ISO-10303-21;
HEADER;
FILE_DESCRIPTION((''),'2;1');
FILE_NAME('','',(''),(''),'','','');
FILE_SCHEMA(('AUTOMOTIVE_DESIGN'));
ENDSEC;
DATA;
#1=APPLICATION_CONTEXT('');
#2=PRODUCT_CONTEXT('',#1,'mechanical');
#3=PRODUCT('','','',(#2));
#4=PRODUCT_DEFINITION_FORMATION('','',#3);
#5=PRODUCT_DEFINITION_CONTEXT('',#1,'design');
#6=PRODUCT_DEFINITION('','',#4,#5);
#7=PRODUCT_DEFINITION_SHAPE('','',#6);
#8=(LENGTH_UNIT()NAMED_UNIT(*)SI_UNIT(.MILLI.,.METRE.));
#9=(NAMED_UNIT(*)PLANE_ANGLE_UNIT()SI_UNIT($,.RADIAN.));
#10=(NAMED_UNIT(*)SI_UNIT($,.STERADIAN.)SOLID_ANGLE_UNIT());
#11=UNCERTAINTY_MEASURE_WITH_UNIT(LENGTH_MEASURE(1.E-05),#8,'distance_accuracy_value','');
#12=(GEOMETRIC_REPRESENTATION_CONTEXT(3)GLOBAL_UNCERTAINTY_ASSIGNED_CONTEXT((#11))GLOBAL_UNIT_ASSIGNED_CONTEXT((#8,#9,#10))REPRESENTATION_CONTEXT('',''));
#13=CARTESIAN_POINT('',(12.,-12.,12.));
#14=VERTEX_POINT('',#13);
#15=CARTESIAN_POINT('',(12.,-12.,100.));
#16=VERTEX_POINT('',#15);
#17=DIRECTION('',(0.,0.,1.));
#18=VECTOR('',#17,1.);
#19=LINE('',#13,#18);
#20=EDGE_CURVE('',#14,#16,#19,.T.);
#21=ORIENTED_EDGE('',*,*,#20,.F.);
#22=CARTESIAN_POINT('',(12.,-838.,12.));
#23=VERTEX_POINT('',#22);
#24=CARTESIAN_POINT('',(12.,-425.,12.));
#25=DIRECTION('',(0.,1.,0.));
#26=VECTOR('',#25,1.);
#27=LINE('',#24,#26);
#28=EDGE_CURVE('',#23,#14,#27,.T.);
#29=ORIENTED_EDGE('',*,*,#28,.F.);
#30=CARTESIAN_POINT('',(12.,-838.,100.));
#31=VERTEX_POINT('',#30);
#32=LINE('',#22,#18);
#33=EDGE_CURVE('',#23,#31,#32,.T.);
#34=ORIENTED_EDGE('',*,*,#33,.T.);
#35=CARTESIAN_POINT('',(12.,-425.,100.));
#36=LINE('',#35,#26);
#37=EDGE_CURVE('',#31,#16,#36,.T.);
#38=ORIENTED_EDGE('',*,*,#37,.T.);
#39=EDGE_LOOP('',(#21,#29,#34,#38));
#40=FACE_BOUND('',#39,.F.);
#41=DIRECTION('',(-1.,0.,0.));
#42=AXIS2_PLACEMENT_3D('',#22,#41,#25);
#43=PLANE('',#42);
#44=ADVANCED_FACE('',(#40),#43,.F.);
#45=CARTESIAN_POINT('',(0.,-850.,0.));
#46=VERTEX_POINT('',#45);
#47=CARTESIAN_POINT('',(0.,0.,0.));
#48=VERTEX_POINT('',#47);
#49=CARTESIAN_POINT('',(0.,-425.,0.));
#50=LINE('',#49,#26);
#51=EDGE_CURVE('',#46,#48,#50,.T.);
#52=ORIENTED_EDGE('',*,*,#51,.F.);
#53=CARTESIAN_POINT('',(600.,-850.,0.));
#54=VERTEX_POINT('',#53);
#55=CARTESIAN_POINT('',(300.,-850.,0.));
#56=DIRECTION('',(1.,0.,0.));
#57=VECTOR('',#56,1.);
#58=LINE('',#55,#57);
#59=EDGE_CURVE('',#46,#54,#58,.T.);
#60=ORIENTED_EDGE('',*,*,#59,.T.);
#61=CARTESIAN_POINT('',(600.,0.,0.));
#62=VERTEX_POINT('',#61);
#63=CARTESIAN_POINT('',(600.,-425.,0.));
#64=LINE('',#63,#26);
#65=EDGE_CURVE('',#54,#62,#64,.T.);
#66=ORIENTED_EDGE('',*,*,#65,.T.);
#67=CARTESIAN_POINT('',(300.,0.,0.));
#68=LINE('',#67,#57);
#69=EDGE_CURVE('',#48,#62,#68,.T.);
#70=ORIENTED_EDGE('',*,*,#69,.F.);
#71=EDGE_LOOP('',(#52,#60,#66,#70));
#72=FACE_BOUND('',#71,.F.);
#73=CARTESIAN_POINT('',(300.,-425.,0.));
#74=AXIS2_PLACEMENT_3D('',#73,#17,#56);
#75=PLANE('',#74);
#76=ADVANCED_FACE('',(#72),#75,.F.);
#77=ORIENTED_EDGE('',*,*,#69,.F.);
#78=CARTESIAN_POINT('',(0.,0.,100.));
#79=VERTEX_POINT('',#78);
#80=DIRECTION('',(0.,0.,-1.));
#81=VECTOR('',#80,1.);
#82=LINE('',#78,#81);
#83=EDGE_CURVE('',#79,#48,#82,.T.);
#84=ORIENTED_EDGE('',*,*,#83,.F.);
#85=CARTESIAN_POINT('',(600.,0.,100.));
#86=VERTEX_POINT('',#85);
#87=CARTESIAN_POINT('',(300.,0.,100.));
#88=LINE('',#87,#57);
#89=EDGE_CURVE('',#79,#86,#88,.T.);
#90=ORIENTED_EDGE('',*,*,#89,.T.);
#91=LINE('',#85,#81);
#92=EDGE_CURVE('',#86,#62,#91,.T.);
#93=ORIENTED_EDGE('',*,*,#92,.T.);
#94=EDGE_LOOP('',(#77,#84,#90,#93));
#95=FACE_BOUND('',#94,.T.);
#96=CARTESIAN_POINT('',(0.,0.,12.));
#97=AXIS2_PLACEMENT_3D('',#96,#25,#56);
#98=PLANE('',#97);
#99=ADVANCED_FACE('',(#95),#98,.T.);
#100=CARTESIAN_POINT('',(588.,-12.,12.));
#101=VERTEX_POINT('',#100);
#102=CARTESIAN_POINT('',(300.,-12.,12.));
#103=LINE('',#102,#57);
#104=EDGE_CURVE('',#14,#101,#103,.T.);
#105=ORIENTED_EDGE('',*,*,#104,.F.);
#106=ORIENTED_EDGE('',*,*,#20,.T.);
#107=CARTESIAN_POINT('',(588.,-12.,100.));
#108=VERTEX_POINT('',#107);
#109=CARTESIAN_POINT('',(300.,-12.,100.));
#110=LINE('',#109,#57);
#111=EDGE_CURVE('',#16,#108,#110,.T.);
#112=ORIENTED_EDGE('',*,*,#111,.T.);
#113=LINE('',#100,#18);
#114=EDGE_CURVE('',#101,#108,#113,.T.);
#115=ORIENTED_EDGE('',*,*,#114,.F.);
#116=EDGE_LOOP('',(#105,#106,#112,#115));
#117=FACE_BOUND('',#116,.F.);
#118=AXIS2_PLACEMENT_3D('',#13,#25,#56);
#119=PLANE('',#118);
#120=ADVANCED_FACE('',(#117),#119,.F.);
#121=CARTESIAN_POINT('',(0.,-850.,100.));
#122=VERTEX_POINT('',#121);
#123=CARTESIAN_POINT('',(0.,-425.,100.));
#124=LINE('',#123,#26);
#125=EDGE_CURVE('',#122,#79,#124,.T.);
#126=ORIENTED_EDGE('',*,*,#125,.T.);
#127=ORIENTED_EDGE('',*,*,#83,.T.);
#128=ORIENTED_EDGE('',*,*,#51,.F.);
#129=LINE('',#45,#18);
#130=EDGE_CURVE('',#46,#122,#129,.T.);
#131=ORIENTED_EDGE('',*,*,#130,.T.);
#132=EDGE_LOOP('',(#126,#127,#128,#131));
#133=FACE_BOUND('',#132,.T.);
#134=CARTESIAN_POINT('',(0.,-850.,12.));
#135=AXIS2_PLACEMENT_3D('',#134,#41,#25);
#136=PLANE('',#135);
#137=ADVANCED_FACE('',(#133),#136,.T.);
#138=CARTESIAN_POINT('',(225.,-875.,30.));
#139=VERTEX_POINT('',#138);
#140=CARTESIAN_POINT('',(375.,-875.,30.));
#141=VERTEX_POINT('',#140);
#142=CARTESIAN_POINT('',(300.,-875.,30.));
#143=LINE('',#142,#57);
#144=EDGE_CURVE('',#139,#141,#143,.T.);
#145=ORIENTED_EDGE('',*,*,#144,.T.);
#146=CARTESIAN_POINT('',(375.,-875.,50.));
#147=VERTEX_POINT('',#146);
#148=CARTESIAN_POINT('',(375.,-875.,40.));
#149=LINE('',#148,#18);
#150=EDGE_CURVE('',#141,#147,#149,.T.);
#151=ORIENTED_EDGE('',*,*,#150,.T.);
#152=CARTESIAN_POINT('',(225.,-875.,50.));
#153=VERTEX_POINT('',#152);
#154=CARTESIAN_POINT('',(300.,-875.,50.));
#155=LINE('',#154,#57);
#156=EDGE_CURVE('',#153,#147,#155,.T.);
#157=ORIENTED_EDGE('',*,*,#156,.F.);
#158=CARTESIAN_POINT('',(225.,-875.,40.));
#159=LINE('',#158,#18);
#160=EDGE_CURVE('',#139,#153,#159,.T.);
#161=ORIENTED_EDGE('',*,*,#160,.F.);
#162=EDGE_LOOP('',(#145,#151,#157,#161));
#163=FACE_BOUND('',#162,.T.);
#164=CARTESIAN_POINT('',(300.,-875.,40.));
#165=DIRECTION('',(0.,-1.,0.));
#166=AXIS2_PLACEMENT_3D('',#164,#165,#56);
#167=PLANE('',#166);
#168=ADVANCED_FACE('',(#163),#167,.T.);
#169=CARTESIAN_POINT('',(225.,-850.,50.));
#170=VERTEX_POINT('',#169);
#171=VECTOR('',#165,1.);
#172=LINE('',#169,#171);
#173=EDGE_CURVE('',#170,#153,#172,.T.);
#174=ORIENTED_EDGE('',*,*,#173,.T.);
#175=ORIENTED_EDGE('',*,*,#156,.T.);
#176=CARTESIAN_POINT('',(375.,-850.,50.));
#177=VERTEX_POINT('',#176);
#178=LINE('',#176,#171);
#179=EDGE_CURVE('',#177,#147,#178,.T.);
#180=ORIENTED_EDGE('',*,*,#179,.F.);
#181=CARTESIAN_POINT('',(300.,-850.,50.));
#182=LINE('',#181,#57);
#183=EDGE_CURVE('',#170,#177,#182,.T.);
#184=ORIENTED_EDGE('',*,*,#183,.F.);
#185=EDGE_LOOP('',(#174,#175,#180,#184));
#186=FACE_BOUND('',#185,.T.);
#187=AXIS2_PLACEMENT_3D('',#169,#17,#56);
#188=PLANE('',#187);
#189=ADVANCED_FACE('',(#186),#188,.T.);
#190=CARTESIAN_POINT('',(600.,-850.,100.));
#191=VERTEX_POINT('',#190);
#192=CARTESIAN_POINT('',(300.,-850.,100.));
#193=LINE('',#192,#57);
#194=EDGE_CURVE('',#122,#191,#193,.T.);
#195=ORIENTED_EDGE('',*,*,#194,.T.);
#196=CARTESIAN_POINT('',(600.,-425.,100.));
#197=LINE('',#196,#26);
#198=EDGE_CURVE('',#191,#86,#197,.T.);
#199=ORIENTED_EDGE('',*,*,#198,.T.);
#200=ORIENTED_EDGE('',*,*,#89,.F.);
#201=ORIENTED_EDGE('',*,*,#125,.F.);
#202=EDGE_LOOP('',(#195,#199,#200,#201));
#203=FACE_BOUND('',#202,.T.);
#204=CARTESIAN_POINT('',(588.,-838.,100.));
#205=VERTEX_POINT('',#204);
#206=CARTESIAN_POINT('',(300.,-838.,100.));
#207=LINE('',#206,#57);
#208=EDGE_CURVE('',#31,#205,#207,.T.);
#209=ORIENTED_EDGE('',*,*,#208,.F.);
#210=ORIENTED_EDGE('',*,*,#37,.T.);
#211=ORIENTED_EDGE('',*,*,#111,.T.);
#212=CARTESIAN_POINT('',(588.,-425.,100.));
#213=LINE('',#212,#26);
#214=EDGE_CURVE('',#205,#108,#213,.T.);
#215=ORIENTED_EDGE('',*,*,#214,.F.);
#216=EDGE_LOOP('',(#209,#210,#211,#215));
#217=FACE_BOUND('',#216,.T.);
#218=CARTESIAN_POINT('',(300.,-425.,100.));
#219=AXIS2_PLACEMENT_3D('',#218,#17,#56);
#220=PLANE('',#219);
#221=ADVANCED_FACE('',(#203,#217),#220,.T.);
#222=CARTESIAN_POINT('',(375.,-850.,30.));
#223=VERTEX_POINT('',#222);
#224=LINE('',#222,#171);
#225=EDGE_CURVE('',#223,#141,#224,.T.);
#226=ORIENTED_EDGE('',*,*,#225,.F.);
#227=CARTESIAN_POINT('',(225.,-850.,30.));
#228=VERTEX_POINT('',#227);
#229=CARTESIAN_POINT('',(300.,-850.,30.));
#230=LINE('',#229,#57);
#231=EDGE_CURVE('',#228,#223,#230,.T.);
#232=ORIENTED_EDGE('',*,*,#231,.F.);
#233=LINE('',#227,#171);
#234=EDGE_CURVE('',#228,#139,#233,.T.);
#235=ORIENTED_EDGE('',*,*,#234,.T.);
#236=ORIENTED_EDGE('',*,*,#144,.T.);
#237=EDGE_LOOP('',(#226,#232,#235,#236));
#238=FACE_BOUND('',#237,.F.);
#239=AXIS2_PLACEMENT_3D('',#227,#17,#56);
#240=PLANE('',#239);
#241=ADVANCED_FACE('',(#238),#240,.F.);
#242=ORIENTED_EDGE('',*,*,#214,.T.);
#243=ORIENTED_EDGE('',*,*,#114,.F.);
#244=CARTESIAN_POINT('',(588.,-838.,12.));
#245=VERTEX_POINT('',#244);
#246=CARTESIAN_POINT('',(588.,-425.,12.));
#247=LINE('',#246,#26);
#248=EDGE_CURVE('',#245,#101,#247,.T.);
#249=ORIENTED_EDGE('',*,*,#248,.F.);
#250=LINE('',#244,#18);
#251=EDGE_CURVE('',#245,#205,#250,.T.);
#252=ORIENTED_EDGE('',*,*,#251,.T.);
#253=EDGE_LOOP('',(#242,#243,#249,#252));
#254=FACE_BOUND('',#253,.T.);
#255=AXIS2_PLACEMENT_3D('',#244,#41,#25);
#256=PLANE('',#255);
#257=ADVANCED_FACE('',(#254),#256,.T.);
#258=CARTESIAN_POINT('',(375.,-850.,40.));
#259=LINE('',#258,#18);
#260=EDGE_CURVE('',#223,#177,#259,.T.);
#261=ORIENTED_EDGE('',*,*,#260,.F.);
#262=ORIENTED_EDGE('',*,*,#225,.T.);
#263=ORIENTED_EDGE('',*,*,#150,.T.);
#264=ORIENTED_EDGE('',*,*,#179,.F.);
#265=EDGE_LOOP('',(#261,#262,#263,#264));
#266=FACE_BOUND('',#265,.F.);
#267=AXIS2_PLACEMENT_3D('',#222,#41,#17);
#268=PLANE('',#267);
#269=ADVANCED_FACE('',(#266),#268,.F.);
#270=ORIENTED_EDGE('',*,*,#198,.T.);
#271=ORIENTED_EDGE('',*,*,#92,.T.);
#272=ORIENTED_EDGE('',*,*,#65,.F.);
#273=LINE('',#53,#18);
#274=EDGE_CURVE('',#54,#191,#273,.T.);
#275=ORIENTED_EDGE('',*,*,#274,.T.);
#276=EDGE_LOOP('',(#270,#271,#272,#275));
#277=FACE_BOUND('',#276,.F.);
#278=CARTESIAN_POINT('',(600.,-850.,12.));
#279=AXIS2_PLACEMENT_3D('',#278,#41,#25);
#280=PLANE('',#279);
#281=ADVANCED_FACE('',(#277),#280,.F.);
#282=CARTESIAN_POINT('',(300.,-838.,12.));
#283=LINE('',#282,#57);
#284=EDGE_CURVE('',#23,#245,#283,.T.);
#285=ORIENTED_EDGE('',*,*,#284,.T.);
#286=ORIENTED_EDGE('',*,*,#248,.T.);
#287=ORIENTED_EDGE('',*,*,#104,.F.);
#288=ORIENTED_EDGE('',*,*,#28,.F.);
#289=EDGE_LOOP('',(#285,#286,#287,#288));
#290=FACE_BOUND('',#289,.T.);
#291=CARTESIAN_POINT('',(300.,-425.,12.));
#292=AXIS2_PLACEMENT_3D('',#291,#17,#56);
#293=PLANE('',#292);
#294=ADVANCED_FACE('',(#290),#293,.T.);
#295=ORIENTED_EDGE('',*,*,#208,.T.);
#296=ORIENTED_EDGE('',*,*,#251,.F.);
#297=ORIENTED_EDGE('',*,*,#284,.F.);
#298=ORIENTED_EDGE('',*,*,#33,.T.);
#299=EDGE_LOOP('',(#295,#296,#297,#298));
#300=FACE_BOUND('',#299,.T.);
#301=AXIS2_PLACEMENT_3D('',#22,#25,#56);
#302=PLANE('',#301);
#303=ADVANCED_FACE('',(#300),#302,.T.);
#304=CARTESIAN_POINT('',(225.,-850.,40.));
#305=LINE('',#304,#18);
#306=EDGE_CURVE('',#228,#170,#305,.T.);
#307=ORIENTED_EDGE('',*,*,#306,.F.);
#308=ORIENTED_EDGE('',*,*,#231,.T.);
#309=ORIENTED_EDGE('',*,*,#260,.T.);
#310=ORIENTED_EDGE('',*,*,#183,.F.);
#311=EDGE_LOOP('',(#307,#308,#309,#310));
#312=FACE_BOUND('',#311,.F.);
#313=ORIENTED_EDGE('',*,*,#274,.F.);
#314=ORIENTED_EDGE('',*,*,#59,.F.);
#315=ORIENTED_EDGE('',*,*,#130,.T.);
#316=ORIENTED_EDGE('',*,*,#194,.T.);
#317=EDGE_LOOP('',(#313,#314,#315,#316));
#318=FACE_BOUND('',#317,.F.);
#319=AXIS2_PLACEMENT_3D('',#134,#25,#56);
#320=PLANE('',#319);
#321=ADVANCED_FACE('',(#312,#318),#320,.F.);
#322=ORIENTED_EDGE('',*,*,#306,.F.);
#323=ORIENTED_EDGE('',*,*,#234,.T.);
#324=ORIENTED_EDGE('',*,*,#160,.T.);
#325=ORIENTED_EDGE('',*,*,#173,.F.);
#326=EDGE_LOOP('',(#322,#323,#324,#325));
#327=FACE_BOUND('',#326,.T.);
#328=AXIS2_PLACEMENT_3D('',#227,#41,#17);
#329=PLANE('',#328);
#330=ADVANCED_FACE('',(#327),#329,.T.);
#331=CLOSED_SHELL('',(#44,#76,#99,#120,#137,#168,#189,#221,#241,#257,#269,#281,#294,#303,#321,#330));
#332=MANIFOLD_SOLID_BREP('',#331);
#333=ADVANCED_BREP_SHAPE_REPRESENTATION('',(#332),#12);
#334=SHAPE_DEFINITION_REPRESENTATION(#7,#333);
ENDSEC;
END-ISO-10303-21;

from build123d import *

# Parameters (mm, degrees)
F0_W     = 600
F0_H     = 850
F1_DEPTH = 12
F2_W     = 600
F2_H     = 850
F2_W_2   = 576
F2_H_2   = 826
F3_DEPTH = 88
F4_W     = 150
F4_H     = 20
F5_DEPTH = 25


with BuildPart() as f1:
    # F0 (on Top) → F1 (new body)
    with BuildSketch(Plane.XY):
        with Locations((300, -425)):
            Rectangle(F0_W, F0_H)
    extrude(amount=F1_DEPTH)

    # F2 (on face) → F3 (join)
    with BuildSketch(Plane.XY.offset(12)):
        with Locations((300, -425)):
            Rectangle(F2_W, F2_H)
        with Locations((300, -425)):
            Rectangle(F2_W_2, F2_H_2, mode=Mode.SUBTRACT)
    extrude(amount=F3_DEPTH)

    # F4 (on face) → F5 (join)
    with BuildSketch(Plane.XZ.offset(850)):
        with Locations((300, 40)):
            Rectangle(F4_W, F4_H)
    extrude(amount=F5_DEPTH)


solid = f1.part
